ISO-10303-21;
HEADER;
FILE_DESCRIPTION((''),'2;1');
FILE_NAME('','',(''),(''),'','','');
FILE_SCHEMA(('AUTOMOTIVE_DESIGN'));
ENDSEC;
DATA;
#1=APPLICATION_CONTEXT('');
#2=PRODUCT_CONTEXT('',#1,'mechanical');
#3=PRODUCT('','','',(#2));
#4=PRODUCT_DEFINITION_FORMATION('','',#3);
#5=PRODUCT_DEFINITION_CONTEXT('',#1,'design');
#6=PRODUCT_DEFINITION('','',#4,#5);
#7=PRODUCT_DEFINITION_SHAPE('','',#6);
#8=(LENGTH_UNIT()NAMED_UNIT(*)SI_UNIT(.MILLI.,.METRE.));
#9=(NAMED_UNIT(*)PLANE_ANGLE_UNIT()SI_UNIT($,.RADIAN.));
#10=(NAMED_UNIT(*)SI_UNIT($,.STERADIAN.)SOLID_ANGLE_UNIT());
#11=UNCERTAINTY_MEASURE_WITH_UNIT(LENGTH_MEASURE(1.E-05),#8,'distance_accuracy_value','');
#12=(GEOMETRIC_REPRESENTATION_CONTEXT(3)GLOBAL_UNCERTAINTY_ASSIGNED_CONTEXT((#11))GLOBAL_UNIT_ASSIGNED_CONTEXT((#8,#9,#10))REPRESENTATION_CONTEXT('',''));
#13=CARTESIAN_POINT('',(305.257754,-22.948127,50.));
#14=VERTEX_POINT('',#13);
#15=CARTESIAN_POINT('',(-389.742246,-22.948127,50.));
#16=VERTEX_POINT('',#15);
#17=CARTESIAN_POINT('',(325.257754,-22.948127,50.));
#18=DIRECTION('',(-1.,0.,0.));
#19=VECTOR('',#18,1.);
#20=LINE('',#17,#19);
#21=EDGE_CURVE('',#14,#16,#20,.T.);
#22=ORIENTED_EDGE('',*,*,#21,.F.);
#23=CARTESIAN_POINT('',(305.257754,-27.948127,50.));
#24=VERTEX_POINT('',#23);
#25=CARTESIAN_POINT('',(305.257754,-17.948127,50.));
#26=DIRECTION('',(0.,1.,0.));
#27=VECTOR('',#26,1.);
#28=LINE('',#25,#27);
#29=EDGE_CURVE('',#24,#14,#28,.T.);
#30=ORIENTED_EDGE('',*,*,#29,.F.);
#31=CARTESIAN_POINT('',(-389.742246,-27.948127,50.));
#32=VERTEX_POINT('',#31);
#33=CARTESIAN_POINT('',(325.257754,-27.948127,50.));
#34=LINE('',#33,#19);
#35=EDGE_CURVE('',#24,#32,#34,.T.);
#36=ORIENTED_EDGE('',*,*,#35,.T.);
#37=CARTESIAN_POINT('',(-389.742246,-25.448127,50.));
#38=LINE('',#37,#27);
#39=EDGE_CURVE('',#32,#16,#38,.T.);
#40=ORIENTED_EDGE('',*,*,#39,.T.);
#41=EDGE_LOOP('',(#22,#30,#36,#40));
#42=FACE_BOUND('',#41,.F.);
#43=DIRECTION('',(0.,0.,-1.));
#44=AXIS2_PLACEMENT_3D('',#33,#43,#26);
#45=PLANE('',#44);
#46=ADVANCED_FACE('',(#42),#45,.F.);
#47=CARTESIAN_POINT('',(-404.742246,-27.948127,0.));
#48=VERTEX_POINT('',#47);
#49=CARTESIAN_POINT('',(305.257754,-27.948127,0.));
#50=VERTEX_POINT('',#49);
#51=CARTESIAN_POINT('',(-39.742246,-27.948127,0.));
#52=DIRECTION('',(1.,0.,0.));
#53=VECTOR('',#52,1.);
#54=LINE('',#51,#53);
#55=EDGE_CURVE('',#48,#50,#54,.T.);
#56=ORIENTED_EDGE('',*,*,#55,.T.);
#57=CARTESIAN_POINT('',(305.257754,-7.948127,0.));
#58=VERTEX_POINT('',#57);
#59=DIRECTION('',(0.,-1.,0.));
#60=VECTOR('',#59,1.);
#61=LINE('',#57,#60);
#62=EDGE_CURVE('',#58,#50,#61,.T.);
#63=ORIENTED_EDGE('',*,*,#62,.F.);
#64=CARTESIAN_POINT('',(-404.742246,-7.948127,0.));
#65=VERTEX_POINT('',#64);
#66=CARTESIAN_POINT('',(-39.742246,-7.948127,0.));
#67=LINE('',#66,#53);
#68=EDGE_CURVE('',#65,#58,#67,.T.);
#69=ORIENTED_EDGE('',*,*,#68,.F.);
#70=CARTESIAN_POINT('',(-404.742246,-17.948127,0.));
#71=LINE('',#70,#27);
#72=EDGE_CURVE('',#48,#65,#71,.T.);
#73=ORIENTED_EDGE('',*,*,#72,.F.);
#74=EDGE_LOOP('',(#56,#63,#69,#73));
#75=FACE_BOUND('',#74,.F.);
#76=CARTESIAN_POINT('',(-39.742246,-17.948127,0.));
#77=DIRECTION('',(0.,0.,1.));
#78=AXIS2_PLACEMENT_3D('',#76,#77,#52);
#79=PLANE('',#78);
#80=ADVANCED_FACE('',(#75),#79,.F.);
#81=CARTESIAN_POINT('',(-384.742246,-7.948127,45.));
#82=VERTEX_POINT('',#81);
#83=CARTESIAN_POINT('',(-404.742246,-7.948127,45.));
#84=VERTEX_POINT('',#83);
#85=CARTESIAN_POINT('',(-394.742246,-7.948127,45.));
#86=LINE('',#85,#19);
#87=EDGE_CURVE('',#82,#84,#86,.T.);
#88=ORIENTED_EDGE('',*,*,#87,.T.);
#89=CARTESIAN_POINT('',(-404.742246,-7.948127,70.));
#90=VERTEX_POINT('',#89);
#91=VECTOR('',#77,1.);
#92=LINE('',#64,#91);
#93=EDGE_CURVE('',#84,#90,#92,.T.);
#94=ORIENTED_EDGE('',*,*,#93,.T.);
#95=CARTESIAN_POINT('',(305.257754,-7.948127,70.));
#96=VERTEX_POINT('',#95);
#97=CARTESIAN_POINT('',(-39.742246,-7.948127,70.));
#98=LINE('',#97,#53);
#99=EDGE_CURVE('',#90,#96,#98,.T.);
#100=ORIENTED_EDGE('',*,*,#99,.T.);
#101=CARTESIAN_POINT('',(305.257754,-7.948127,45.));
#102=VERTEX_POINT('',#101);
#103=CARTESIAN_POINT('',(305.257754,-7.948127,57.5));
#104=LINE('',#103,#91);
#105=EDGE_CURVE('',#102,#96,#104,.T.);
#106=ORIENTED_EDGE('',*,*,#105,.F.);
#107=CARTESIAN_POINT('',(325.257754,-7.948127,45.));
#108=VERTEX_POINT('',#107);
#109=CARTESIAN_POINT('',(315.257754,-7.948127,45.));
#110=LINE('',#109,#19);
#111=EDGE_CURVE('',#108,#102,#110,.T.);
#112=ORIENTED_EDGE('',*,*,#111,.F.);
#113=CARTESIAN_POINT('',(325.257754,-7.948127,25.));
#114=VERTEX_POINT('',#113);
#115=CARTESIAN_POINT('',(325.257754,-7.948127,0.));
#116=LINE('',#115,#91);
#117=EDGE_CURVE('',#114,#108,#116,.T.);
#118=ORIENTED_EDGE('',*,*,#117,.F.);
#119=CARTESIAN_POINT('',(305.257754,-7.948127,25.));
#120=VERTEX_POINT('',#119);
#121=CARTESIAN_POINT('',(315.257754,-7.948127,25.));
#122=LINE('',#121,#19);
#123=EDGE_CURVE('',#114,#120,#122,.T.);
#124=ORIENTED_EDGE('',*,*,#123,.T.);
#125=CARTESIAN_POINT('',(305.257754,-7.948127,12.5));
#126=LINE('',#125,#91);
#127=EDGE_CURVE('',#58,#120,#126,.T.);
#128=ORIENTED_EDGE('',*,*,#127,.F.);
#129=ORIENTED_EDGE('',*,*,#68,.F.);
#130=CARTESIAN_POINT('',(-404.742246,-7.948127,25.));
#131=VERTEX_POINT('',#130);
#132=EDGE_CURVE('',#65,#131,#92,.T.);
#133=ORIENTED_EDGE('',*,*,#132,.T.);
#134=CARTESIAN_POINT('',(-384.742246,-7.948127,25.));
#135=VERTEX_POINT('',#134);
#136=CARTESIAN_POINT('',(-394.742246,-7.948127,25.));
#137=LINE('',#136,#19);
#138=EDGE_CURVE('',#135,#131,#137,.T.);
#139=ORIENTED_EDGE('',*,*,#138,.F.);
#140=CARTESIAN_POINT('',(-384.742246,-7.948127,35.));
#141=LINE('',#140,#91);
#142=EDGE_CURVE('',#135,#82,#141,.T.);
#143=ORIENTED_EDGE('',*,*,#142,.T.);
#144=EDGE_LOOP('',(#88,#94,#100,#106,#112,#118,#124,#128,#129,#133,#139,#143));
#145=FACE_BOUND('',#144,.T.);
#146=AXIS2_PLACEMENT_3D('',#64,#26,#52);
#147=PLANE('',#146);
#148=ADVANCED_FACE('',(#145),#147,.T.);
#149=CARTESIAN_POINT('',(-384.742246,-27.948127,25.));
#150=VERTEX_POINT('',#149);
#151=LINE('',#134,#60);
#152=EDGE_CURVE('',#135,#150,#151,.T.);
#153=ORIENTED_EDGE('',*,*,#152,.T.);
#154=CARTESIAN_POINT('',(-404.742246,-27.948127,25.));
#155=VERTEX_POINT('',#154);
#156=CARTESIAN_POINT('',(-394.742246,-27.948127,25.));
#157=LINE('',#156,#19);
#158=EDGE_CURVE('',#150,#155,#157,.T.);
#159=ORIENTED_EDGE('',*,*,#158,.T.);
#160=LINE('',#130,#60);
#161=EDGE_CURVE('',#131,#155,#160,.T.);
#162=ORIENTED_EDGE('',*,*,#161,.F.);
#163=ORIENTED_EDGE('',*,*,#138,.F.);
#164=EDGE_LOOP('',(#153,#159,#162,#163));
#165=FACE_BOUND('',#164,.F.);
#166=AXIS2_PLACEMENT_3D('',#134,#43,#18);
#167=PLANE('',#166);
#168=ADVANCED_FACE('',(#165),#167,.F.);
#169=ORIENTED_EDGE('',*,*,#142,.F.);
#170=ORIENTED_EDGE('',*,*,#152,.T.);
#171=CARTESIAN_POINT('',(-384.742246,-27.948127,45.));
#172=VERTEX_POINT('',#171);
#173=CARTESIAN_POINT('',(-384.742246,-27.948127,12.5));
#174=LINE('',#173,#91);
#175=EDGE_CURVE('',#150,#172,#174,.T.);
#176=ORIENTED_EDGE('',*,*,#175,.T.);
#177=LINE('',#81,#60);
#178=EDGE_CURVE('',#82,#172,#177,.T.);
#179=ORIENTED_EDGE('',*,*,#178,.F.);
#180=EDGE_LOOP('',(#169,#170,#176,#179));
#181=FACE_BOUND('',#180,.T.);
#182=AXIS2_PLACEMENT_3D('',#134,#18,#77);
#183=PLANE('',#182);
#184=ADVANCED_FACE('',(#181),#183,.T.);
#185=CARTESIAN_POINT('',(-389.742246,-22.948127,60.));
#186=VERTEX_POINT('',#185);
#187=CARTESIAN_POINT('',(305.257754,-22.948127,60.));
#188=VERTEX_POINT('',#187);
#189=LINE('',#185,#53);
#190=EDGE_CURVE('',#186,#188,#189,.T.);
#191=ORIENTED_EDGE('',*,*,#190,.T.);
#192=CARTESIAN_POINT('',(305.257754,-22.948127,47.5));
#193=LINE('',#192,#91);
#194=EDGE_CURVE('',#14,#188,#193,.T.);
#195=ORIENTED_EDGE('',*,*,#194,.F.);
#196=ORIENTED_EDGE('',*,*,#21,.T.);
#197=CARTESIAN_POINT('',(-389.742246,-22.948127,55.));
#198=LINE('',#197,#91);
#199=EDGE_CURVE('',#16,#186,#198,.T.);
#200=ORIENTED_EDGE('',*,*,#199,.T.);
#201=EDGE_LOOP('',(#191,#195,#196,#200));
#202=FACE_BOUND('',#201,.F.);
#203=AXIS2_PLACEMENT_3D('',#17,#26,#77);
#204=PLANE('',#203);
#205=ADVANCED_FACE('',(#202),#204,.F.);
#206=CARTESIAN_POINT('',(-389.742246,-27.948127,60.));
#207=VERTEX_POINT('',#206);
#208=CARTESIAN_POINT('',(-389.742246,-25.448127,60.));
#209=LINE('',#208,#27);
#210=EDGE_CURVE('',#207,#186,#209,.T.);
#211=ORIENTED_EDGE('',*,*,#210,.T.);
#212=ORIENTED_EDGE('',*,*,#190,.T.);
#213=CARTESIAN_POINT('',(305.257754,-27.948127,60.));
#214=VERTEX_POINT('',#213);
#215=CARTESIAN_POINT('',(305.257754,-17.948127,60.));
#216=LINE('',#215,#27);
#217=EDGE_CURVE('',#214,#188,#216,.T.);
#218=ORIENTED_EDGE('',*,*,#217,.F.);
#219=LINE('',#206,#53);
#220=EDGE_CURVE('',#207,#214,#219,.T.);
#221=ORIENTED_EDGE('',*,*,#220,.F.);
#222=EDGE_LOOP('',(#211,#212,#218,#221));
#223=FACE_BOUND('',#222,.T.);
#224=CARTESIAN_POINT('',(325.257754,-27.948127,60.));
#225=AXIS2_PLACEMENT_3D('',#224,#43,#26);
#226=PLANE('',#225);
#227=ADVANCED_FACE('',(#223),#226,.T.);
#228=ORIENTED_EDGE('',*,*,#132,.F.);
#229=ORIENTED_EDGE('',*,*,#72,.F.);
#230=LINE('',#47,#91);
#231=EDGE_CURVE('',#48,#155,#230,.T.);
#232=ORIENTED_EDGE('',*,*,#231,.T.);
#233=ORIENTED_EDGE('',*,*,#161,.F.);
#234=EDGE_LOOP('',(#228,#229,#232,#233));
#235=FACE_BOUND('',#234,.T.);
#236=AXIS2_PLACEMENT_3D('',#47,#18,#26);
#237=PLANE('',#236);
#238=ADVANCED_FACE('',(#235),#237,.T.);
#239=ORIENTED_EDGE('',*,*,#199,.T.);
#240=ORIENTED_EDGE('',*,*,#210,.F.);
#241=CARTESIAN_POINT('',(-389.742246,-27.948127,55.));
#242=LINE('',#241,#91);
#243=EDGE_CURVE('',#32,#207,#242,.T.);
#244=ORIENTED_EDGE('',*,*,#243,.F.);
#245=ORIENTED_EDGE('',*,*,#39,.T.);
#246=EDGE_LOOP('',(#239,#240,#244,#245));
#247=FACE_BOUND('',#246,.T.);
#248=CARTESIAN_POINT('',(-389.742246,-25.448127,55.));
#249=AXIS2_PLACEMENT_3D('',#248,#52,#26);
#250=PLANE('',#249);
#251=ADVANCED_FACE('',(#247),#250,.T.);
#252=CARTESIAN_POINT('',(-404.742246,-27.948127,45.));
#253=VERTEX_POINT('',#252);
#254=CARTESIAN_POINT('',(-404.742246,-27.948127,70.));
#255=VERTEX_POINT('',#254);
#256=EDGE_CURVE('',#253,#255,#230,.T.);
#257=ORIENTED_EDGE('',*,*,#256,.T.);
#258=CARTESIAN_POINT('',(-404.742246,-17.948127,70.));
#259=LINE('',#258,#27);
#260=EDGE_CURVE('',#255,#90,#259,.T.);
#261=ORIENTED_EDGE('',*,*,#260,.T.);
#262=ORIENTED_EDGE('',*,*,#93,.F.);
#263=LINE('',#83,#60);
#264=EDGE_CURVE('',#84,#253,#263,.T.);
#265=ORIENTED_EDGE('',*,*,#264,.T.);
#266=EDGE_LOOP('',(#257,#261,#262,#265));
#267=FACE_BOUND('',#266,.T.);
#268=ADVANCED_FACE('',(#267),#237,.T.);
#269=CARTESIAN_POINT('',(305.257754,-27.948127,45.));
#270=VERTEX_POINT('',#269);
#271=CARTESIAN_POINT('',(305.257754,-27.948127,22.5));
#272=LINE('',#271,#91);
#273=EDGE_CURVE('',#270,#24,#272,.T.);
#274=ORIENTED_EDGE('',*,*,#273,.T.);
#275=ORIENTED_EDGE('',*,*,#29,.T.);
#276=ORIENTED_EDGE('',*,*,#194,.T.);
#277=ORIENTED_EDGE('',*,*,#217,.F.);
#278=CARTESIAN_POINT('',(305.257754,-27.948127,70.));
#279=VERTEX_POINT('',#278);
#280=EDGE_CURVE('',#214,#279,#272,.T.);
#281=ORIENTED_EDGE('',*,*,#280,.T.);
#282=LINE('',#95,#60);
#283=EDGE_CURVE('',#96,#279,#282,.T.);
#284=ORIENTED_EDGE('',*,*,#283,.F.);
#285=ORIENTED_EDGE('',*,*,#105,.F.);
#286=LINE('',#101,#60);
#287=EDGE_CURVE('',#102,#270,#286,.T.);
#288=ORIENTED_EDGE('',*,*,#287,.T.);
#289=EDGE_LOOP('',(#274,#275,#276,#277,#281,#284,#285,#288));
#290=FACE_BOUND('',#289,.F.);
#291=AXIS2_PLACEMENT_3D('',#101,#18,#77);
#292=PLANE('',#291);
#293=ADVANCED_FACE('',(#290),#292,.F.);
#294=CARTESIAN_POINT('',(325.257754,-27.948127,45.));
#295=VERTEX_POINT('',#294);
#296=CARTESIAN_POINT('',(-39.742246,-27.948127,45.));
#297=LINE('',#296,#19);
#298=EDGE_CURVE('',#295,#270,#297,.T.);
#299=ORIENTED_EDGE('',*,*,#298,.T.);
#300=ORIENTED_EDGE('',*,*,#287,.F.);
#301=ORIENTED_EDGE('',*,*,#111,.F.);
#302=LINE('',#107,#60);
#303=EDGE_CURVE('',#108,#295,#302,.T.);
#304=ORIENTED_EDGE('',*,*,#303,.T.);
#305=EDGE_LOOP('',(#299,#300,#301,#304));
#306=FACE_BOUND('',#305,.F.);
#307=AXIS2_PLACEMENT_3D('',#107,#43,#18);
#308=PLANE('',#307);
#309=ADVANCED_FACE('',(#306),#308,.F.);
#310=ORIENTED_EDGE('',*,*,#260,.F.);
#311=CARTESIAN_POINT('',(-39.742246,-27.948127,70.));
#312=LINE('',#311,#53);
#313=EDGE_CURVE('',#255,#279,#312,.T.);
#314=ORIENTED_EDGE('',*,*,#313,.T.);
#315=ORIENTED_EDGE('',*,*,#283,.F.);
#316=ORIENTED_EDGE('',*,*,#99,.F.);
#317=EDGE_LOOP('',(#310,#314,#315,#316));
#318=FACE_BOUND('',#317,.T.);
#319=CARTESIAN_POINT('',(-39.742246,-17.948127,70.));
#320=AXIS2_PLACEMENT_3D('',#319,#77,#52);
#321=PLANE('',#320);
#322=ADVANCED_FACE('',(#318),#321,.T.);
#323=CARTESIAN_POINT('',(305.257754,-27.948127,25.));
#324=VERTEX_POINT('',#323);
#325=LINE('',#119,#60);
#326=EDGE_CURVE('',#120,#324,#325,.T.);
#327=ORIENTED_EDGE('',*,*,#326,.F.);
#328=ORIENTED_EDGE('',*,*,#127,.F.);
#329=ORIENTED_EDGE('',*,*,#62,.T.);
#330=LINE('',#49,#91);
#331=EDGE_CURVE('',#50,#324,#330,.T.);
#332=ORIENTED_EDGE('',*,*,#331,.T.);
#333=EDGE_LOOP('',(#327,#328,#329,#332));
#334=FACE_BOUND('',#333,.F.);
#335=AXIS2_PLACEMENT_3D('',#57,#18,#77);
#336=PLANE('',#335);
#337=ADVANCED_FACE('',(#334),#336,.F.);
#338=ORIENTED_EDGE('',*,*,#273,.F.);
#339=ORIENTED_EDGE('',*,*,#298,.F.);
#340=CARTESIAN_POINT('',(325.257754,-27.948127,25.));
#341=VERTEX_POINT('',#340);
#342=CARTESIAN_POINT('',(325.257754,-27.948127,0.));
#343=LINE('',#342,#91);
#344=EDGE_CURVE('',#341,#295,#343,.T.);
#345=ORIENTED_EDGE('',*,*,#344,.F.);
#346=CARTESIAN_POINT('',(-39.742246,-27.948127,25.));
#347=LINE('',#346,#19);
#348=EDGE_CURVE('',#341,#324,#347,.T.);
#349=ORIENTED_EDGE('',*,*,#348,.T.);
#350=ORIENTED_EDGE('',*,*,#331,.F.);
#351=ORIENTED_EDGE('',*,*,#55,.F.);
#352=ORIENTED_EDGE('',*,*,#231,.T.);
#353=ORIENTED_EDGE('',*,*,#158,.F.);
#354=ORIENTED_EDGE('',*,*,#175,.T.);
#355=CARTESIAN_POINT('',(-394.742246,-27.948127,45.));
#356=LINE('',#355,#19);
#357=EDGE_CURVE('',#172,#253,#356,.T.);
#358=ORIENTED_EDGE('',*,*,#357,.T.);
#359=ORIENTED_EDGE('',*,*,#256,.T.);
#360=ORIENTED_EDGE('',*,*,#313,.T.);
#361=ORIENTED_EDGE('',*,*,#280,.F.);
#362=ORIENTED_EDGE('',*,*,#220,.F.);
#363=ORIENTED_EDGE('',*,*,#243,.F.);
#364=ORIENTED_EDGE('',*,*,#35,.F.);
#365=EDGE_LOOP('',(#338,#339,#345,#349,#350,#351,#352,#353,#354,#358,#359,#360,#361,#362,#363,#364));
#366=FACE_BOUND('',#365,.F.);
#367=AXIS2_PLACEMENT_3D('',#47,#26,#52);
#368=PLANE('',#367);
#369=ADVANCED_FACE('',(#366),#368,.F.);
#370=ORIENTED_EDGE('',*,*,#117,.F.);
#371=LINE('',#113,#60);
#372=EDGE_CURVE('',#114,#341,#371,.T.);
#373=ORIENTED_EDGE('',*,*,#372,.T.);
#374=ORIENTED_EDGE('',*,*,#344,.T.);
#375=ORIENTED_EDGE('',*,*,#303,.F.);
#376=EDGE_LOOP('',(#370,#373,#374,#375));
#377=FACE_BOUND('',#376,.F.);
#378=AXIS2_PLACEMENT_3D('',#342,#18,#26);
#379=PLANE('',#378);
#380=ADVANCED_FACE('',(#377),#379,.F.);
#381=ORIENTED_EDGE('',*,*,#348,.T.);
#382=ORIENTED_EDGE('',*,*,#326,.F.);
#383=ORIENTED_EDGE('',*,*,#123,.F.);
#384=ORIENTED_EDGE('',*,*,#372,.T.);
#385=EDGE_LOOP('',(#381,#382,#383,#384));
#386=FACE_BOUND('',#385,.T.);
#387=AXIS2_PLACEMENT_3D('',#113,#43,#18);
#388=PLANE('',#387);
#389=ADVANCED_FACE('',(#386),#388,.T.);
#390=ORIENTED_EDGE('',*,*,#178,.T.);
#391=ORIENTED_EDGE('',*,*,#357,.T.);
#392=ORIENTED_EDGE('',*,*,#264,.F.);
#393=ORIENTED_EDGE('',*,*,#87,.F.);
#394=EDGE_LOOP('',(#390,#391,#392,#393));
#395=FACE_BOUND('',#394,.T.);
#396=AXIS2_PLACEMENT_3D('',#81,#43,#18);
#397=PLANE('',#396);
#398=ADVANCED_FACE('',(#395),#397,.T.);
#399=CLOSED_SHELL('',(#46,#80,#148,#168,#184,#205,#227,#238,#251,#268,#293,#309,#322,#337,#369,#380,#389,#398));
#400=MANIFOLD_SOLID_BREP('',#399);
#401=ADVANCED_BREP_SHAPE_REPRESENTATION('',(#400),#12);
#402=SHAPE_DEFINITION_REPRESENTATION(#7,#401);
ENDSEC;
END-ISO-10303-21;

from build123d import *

# Parameters (mm, degrees)
F0_W          = 730
F0_H          = 20
F1_DEPTH      = 70
F2_W          = 5
F2_H          = 10
F3_DEPTH      = 715
F3_DEPTH_BACK = 15
F4_W          = 20
F4_H          = 25
F4_H_2        = 20
F5_DEPTH      = 20.001


with BuildPart() as f1:
    # F0 (on Top) → F1 (new body)
    with BuildSketch(Plane.XY):
        with Locations((-39.742246, -17.948127)):
            Rectangle(F0_W, F0_H)
    extrude(amount=F1_DEPTH)

    # F2 (on face) → F3 (cut, two sides)
    with BuildSketch(Plane.YZ.offset(325.257754)) as f3_sk:
        with Locations((-25.448127, 55)):
            Rectangle(F2_W, F2_H)
    extrude(amount=-F3_DEPTH, mode=Mode.SUBTRACT)
    extrude(f3_sk.sketch, amount=-F3_DEPTH_BACK, mode=Mode.SUBTRACT)

    # F4 (on face) → F5 (cut, through all)
    with BuildSketch(Plane(origin=(0, -7.948127, 0), x_dir=(-1, 0, 0), z_dir=(0, 1, 0))):
        with Locations((-315.257754, 57.5)):
            Rectangle(F4_W, F4_H)
        with Locations((-315.257754, 12.5)):
            Rectangle(F4_W, F4_H)
        with Locations((394.742246, 35)):
            Rectangle(F4_W, F4_H_2)
    extrude(amount=-F5_DEPTH, mode=Mode.SUBTRACT)


solid = f1.part
